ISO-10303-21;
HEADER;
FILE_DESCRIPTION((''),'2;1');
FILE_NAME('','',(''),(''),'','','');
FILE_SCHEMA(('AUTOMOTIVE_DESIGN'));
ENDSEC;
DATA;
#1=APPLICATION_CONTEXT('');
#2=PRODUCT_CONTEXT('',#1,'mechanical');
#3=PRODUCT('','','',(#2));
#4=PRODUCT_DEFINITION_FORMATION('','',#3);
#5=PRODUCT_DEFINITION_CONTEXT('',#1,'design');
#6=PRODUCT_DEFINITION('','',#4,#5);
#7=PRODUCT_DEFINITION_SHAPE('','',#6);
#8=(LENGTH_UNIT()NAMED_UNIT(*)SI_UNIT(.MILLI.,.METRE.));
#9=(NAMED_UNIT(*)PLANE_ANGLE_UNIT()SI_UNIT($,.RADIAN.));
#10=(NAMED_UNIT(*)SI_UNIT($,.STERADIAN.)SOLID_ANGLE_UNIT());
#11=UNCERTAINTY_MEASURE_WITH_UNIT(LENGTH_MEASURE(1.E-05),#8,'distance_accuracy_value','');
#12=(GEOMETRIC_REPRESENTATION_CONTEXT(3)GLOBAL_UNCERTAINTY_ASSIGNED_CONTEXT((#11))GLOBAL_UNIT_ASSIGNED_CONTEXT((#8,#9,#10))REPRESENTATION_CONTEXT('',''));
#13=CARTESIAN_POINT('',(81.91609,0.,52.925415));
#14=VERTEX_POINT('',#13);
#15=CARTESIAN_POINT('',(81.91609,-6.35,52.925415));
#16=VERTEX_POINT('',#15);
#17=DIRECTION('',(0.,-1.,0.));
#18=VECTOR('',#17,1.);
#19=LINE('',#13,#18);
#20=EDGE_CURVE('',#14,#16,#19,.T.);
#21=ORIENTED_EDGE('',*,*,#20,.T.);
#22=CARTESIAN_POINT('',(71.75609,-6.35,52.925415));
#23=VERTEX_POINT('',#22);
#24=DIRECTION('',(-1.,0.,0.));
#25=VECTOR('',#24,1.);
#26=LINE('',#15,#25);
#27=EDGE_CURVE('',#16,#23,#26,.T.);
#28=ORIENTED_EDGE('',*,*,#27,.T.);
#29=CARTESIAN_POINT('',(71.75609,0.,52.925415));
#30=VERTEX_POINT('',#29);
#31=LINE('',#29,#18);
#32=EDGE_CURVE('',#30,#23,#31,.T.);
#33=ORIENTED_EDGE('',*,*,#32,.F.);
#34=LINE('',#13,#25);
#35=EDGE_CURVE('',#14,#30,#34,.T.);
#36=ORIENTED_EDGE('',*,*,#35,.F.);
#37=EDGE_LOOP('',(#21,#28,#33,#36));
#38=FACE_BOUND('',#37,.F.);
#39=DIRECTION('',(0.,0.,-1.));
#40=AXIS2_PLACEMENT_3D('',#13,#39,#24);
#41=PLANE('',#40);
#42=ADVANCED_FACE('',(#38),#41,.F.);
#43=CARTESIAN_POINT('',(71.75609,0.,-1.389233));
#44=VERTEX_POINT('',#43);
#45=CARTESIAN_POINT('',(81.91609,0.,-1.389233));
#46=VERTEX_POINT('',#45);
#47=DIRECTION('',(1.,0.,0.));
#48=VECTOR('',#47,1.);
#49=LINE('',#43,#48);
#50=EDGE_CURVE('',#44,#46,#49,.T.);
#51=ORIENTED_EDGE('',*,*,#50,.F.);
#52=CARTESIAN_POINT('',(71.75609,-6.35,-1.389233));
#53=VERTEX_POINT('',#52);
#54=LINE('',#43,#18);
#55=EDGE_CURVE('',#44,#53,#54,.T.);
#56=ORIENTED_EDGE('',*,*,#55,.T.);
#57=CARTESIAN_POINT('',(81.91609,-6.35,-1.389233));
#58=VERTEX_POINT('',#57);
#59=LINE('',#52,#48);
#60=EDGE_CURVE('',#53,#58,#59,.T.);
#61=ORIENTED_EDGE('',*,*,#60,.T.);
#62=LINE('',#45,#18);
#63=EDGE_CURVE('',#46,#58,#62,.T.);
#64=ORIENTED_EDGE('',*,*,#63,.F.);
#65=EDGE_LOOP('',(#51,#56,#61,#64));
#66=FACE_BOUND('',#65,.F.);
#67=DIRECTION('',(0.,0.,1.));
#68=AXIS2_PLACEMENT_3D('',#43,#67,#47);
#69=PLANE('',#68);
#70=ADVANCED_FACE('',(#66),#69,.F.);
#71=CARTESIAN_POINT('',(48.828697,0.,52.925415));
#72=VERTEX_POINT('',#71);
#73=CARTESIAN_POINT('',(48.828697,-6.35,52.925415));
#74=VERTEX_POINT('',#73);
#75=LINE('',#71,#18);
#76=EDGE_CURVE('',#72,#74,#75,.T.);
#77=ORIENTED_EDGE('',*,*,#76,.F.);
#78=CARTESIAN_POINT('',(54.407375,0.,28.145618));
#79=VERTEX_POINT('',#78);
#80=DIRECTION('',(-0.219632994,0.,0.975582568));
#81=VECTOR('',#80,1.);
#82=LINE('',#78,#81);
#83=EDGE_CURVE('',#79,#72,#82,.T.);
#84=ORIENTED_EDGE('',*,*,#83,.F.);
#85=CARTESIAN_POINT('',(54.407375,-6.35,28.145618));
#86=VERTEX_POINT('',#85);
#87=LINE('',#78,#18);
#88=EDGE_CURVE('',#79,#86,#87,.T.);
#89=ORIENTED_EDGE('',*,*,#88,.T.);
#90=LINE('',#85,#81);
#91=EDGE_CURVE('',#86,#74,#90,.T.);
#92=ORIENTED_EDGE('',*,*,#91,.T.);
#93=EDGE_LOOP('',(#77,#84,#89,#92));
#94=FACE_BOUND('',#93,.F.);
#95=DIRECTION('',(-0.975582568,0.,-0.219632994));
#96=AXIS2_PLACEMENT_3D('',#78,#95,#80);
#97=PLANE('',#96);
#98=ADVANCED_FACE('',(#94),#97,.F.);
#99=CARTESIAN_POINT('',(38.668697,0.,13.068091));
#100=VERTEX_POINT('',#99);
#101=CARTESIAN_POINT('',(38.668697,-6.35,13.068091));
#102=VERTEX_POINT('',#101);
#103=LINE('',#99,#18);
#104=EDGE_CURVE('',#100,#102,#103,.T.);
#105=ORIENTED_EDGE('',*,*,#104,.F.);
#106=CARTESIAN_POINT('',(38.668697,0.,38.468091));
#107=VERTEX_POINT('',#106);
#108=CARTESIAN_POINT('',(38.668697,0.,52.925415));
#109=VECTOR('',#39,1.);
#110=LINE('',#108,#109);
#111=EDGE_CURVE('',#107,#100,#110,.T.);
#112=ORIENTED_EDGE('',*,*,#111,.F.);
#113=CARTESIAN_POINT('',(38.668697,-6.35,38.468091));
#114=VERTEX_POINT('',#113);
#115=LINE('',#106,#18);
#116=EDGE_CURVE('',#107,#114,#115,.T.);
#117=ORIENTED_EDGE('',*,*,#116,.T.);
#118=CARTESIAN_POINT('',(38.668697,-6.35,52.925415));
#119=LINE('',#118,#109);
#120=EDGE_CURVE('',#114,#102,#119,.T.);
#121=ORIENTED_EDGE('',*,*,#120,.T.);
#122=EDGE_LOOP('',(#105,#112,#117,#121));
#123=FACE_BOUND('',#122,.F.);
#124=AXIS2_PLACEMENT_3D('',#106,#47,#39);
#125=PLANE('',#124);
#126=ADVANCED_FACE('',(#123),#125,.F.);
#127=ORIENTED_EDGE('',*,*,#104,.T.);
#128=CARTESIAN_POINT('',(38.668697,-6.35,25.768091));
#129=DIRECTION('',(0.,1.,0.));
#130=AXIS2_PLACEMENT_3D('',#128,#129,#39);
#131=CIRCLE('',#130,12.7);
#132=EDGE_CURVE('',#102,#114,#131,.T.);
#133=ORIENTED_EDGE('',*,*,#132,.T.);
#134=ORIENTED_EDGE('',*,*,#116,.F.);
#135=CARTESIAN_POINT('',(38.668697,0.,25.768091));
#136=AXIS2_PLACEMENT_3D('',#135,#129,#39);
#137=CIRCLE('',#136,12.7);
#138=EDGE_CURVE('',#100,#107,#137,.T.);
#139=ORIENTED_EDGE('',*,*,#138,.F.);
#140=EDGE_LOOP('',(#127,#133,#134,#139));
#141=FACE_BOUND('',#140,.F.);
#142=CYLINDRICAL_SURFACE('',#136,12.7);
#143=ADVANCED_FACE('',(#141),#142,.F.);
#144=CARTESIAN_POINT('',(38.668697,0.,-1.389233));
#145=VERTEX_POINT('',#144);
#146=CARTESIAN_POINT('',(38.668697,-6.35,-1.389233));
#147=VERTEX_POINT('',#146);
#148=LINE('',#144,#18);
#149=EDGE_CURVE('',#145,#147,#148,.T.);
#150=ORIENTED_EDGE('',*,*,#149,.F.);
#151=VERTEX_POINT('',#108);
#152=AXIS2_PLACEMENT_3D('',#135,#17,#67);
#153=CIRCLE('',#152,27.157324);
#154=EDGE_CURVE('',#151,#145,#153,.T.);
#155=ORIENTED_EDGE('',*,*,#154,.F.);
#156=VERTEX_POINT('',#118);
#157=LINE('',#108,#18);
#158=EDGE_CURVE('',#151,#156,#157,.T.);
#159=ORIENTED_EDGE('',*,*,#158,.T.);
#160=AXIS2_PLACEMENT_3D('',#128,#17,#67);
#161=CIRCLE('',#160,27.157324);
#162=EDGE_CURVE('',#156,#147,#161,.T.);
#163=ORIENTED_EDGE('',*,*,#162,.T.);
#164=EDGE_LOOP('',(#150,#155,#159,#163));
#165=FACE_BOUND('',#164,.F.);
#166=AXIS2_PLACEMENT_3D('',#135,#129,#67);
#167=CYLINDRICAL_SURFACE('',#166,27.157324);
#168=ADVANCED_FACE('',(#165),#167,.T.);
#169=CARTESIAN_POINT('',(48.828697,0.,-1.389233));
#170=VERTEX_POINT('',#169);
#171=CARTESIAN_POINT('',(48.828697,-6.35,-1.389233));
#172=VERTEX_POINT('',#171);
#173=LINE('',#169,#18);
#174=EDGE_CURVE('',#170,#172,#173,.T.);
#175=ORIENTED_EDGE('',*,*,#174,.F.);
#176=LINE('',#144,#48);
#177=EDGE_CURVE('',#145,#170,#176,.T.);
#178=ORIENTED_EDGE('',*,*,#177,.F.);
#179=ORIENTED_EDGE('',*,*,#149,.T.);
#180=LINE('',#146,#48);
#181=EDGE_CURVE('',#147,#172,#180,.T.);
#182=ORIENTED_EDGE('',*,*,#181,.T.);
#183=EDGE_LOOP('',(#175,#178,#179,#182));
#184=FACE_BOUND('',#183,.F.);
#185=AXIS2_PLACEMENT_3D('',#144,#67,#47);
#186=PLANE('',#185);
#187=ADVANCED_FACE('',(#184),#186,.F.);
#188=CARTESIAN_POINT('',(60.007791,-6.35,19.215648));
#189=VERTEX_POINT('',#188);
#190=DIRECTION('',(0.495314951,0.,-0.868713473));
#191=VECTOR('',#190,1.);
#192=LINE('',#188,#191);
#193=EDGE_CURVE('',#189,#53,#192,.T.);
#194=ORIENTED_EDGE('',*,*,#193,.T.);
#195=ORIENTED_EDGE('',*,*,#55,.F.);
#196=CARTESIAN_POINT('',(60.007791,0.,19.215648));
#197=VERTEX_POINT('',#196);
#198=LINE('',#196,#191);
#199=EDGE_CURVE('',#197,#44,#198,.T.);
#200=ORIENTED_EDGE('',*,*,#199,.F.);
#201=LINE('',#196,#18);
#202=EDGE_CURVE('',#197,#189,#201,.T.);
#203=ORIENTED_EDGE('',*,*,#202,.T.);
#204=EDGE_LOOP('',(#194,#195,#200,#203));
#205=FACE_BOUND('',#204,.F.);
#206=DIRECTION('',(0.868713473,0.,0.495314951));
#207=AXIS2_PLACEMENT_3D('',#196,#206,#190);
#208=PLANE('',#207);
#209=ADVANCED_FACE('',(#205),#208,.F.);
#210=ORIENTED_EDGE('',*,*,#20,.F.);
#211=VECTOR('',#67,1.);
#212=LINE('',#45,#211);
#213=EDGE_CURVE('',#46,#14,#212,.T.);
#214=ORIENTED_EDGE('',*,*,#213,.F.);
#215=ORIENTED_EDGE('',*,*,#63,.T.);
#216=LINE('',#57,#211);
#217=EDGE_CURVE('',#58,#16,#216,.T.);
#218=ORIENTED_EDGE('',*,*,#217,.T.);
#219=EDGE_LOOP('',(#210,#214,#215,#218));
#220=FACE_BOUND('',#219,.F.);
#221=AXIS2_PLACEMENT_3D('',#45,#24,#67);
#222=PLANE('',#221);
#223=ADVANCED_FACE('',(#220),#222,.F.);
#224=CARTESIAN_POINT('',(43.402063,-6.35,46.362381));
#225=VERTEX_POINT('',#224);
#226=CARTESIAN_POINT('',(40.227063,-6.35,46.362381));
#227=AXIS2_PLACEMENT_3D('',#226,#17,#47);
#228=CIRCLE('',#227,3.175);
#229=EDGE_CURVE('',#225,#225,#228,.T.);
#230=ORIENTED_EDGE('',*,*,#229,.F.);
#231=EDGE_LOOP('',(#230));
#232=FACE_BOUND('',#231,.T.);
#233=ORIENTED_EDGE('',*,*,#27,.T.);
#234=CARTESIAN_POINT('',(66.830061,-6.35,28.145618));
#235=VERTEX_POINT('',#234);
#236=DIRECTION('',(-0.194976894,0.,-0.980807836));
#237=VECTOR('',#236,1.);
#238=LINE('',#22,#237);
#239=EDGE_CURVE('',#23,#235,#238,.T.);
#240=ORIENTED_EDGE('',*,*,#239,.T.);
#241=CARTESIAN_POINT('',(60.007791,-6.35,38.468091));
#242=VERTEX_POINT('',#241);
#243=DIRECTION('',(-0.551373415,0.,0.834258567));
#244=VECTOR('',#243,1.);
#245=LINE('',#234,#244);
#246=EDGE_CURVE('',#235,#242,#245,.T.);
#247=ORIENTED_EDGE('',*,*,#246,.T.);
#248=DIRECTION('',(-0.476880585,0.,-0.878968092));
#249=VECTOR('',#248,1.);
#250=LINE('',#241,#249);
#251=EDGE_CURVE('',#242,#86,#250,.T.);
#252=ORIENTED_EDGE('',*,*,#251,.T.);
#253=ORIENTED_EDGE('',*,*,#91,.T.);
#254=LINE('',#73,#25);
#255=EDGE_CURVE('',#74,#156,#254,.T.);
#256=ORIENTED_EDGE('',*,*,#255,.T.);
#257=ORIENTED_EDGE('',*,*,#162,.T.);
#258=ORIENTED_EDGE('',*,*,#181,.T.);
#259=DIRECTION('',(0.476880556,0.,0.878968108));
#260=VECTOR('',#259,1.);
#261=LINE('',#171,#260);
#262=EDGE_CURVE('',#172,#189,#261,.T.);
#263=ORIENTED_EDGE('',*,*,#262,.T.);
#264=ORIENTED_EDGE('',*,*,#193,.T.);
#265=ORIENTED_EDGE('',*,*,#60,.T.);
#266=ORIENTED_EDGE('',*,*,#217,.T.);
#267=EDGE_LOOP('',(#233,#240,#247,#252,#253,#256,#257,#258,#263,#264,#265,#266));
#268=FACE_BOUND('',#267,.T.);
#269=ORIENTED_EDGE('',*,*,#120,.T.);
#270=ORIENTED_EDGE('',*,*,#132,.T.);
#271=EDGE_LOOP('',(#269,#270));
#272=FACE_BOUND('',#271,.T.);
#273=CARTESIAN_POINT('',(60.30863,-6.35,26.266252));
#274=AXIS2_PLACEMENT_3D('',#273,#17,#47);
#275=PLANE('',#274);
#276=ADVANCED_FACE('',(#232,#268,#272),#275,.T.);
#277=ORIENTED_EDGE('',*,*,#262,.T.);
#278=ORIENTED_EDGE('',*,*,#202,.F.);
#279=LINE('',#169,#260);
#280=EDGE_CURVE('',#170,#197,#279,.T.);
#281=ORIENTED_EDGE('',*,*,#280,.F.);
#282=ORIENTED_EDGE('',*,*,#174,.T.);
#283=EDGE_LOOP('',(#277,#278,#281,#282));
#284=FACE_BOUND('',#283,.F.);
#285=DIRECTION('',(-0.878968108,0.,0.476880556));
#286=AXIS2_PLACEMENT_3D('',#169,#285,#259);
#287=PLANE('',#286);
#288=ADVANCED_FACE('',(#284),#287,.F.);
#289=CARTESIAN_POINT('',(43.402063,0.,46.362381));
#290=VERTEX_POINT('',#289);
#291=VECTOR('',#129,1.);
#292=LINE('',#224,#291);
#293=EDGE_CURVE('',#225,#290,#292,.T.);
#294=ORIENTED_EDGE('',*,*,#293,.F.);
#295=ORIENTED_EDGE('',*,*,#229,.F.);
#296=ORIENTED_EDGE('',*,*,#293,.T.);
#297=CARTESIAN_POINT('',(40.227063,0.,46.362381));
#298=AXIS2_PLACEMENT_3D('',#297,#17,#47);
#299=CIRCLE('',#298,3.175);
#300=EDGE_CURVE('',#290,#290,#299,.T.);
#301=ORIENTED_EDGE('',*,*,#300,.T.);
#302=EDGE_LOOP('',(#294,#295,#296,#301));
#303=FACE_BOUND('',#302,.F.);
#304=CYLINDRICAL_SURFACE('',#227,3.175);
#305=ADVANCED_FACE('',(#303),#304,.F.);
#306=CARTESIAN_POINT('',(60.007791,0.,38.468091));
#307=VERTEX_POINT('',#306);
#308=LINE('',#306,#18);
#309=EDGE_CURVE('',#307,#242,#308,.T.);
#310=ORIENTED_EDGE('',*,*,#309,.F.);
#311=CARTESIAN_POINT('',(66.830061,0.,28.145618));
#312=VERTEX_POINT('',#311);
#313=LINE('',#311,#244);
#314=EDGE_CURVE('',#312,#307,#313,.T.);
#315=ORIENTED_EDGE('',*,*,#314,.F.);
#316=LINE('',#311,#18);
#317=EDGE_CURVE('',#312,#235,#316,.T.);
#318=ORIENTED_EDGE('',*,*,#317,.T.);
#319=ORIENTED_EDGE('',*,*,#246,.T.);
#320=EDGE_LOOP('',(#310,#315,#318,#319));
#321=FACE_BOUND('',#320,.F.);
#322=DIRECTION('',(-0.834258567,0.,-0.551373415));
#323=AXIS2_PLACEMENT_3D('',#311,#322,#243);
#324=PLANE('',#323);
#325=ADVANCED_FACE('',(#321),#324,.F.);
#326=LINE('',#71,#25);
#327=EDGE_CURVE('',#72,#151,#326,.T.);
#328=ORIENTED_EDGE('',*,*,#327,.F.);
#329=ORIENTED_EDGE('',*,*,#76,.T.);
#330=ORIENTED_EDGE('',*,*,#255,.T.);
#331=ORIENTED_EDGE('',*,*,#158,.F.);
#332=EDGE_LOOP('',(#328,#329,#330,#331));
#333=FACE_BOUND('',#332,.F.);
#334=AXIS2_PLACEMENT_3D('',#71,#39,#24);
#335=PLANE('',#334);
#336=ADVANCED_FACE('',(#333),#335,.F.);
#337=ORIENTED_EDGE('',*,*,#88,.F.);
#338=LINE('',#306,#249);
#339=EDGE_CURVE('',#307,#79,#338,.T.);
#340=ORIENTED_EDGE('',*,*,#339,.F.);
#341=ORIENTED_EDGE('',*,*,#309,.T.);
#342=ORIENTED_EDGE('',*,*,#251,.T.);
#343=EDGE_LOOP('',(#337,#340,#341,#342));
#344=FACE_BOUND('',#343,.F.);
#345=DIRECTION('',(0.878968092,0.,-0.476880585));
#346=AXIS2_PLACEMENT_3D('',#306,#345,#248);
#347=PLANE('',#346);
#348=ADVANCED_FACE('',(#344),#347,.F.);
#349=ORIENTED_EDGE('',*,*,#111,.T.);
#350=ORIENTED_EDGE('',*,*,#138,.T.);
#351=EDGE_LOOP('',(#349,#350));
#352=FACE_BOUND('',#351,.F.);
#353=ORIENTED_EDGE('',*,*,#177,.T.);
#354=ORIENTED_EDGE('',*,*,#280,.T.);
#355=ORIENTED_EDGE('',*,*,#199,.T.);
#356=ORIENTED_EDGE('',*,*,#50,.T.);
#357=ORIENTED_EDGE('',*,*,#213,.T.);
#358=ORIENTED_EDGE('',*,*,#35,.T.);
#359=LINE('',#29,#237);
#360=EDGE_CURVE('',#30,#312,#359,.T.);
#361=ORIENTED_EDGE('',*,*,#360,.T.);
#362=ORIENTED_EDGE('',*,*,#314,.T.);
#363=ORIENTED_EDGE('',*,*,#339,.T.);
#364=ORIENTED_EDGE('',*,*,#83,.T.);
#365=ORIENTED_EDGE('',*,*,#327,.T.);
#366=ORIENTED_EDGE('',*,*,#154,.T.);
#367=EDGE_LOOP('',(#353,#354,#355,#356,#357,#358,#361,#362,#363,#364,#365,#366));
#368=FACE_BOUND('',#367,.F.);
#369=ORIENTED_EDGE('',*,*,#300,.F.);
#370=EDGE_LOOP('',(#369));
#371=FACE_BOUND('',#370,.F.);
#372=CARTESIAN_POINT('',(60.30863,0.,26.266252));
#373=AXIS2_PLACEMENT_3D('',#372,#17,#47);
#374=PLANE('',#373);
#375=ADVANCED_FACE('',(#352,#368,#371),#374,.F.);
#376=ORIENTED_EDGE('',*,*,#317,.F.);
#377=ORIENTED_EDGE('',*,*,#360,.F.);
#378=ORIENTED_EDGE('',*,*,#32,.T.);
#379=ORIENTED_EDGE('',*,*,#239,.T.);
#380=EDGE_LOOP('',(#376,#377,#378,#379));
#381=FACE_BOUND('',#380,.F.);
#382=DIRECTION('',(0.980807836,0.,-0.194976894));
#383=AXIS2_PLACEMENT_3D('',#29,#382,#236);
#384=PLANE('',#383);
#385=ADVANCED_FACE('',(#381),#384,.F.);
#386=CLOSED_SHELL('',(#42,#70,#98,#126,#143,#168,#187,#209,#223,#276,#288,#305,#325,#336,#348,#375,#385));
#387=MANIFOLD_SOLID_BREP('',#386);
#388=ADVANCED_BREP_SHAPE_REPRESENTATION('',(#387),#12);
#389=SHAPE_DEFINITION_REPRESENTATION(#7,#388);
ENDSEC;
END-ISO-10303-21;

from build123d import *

# Parameters (mm, degrees)
F1_DEPTH = 6.35
F2_R     = 3.175
F3_DEPTH = 6.351


with BuildPart() as f1:
    # F0 (on Front) → F1 (new body)
    with BuildSketch(Plane.XZ):
        Polygon((48.828697, 52.925415), (38.668697, 52.925415), (38.668697, 45.305415), (38.668697, 38.468091), (38.668697, 13.068091), (38.668697, 6.230767), (38.668697, -1.389233), (48.828697, -1.389233), (60.007791, 19.215648), (71.75609, -1.389233), (81.91609, -1.389233), (81.91609, 52.925415), (71.75609, 52.925415), (66.830061, 28.145618), (60.007791, 38.468091), (54.407375, 28.145618), align=None)
        with BuildLine():
            Line((38.668697, 45.305415), (38.668697, 52.925415))
            ThreePointArc((38.668697, 52.925415), (11.511373, 25.768091), (38.668697, -1.389233))
            Line((38.668697, -1.389233), (38.668697, 6.230767))
            Line((38.668697, 6.230767), (38.668697, 13.068091))
            ThreePointArc((38.668697, 13.068091), (25.968697, 25.768091), (38.668697, 38.468091))
            Line((38.668697, 38.468091), (38.668697, 45.305415))
        make_face()
    extrude(amount=F1_DEPTH)

    # F2 (on face) → F3 (cut, through all)
    with BuildSketch(Plane.XZ.offset(6.35)):
        with Locations((40.227063, 46.362381)):
            Circle(F2_R)
    extrude(amount=-F3_DEPTH, mode=Mode.SUBTRACT)


solid = f1.part
